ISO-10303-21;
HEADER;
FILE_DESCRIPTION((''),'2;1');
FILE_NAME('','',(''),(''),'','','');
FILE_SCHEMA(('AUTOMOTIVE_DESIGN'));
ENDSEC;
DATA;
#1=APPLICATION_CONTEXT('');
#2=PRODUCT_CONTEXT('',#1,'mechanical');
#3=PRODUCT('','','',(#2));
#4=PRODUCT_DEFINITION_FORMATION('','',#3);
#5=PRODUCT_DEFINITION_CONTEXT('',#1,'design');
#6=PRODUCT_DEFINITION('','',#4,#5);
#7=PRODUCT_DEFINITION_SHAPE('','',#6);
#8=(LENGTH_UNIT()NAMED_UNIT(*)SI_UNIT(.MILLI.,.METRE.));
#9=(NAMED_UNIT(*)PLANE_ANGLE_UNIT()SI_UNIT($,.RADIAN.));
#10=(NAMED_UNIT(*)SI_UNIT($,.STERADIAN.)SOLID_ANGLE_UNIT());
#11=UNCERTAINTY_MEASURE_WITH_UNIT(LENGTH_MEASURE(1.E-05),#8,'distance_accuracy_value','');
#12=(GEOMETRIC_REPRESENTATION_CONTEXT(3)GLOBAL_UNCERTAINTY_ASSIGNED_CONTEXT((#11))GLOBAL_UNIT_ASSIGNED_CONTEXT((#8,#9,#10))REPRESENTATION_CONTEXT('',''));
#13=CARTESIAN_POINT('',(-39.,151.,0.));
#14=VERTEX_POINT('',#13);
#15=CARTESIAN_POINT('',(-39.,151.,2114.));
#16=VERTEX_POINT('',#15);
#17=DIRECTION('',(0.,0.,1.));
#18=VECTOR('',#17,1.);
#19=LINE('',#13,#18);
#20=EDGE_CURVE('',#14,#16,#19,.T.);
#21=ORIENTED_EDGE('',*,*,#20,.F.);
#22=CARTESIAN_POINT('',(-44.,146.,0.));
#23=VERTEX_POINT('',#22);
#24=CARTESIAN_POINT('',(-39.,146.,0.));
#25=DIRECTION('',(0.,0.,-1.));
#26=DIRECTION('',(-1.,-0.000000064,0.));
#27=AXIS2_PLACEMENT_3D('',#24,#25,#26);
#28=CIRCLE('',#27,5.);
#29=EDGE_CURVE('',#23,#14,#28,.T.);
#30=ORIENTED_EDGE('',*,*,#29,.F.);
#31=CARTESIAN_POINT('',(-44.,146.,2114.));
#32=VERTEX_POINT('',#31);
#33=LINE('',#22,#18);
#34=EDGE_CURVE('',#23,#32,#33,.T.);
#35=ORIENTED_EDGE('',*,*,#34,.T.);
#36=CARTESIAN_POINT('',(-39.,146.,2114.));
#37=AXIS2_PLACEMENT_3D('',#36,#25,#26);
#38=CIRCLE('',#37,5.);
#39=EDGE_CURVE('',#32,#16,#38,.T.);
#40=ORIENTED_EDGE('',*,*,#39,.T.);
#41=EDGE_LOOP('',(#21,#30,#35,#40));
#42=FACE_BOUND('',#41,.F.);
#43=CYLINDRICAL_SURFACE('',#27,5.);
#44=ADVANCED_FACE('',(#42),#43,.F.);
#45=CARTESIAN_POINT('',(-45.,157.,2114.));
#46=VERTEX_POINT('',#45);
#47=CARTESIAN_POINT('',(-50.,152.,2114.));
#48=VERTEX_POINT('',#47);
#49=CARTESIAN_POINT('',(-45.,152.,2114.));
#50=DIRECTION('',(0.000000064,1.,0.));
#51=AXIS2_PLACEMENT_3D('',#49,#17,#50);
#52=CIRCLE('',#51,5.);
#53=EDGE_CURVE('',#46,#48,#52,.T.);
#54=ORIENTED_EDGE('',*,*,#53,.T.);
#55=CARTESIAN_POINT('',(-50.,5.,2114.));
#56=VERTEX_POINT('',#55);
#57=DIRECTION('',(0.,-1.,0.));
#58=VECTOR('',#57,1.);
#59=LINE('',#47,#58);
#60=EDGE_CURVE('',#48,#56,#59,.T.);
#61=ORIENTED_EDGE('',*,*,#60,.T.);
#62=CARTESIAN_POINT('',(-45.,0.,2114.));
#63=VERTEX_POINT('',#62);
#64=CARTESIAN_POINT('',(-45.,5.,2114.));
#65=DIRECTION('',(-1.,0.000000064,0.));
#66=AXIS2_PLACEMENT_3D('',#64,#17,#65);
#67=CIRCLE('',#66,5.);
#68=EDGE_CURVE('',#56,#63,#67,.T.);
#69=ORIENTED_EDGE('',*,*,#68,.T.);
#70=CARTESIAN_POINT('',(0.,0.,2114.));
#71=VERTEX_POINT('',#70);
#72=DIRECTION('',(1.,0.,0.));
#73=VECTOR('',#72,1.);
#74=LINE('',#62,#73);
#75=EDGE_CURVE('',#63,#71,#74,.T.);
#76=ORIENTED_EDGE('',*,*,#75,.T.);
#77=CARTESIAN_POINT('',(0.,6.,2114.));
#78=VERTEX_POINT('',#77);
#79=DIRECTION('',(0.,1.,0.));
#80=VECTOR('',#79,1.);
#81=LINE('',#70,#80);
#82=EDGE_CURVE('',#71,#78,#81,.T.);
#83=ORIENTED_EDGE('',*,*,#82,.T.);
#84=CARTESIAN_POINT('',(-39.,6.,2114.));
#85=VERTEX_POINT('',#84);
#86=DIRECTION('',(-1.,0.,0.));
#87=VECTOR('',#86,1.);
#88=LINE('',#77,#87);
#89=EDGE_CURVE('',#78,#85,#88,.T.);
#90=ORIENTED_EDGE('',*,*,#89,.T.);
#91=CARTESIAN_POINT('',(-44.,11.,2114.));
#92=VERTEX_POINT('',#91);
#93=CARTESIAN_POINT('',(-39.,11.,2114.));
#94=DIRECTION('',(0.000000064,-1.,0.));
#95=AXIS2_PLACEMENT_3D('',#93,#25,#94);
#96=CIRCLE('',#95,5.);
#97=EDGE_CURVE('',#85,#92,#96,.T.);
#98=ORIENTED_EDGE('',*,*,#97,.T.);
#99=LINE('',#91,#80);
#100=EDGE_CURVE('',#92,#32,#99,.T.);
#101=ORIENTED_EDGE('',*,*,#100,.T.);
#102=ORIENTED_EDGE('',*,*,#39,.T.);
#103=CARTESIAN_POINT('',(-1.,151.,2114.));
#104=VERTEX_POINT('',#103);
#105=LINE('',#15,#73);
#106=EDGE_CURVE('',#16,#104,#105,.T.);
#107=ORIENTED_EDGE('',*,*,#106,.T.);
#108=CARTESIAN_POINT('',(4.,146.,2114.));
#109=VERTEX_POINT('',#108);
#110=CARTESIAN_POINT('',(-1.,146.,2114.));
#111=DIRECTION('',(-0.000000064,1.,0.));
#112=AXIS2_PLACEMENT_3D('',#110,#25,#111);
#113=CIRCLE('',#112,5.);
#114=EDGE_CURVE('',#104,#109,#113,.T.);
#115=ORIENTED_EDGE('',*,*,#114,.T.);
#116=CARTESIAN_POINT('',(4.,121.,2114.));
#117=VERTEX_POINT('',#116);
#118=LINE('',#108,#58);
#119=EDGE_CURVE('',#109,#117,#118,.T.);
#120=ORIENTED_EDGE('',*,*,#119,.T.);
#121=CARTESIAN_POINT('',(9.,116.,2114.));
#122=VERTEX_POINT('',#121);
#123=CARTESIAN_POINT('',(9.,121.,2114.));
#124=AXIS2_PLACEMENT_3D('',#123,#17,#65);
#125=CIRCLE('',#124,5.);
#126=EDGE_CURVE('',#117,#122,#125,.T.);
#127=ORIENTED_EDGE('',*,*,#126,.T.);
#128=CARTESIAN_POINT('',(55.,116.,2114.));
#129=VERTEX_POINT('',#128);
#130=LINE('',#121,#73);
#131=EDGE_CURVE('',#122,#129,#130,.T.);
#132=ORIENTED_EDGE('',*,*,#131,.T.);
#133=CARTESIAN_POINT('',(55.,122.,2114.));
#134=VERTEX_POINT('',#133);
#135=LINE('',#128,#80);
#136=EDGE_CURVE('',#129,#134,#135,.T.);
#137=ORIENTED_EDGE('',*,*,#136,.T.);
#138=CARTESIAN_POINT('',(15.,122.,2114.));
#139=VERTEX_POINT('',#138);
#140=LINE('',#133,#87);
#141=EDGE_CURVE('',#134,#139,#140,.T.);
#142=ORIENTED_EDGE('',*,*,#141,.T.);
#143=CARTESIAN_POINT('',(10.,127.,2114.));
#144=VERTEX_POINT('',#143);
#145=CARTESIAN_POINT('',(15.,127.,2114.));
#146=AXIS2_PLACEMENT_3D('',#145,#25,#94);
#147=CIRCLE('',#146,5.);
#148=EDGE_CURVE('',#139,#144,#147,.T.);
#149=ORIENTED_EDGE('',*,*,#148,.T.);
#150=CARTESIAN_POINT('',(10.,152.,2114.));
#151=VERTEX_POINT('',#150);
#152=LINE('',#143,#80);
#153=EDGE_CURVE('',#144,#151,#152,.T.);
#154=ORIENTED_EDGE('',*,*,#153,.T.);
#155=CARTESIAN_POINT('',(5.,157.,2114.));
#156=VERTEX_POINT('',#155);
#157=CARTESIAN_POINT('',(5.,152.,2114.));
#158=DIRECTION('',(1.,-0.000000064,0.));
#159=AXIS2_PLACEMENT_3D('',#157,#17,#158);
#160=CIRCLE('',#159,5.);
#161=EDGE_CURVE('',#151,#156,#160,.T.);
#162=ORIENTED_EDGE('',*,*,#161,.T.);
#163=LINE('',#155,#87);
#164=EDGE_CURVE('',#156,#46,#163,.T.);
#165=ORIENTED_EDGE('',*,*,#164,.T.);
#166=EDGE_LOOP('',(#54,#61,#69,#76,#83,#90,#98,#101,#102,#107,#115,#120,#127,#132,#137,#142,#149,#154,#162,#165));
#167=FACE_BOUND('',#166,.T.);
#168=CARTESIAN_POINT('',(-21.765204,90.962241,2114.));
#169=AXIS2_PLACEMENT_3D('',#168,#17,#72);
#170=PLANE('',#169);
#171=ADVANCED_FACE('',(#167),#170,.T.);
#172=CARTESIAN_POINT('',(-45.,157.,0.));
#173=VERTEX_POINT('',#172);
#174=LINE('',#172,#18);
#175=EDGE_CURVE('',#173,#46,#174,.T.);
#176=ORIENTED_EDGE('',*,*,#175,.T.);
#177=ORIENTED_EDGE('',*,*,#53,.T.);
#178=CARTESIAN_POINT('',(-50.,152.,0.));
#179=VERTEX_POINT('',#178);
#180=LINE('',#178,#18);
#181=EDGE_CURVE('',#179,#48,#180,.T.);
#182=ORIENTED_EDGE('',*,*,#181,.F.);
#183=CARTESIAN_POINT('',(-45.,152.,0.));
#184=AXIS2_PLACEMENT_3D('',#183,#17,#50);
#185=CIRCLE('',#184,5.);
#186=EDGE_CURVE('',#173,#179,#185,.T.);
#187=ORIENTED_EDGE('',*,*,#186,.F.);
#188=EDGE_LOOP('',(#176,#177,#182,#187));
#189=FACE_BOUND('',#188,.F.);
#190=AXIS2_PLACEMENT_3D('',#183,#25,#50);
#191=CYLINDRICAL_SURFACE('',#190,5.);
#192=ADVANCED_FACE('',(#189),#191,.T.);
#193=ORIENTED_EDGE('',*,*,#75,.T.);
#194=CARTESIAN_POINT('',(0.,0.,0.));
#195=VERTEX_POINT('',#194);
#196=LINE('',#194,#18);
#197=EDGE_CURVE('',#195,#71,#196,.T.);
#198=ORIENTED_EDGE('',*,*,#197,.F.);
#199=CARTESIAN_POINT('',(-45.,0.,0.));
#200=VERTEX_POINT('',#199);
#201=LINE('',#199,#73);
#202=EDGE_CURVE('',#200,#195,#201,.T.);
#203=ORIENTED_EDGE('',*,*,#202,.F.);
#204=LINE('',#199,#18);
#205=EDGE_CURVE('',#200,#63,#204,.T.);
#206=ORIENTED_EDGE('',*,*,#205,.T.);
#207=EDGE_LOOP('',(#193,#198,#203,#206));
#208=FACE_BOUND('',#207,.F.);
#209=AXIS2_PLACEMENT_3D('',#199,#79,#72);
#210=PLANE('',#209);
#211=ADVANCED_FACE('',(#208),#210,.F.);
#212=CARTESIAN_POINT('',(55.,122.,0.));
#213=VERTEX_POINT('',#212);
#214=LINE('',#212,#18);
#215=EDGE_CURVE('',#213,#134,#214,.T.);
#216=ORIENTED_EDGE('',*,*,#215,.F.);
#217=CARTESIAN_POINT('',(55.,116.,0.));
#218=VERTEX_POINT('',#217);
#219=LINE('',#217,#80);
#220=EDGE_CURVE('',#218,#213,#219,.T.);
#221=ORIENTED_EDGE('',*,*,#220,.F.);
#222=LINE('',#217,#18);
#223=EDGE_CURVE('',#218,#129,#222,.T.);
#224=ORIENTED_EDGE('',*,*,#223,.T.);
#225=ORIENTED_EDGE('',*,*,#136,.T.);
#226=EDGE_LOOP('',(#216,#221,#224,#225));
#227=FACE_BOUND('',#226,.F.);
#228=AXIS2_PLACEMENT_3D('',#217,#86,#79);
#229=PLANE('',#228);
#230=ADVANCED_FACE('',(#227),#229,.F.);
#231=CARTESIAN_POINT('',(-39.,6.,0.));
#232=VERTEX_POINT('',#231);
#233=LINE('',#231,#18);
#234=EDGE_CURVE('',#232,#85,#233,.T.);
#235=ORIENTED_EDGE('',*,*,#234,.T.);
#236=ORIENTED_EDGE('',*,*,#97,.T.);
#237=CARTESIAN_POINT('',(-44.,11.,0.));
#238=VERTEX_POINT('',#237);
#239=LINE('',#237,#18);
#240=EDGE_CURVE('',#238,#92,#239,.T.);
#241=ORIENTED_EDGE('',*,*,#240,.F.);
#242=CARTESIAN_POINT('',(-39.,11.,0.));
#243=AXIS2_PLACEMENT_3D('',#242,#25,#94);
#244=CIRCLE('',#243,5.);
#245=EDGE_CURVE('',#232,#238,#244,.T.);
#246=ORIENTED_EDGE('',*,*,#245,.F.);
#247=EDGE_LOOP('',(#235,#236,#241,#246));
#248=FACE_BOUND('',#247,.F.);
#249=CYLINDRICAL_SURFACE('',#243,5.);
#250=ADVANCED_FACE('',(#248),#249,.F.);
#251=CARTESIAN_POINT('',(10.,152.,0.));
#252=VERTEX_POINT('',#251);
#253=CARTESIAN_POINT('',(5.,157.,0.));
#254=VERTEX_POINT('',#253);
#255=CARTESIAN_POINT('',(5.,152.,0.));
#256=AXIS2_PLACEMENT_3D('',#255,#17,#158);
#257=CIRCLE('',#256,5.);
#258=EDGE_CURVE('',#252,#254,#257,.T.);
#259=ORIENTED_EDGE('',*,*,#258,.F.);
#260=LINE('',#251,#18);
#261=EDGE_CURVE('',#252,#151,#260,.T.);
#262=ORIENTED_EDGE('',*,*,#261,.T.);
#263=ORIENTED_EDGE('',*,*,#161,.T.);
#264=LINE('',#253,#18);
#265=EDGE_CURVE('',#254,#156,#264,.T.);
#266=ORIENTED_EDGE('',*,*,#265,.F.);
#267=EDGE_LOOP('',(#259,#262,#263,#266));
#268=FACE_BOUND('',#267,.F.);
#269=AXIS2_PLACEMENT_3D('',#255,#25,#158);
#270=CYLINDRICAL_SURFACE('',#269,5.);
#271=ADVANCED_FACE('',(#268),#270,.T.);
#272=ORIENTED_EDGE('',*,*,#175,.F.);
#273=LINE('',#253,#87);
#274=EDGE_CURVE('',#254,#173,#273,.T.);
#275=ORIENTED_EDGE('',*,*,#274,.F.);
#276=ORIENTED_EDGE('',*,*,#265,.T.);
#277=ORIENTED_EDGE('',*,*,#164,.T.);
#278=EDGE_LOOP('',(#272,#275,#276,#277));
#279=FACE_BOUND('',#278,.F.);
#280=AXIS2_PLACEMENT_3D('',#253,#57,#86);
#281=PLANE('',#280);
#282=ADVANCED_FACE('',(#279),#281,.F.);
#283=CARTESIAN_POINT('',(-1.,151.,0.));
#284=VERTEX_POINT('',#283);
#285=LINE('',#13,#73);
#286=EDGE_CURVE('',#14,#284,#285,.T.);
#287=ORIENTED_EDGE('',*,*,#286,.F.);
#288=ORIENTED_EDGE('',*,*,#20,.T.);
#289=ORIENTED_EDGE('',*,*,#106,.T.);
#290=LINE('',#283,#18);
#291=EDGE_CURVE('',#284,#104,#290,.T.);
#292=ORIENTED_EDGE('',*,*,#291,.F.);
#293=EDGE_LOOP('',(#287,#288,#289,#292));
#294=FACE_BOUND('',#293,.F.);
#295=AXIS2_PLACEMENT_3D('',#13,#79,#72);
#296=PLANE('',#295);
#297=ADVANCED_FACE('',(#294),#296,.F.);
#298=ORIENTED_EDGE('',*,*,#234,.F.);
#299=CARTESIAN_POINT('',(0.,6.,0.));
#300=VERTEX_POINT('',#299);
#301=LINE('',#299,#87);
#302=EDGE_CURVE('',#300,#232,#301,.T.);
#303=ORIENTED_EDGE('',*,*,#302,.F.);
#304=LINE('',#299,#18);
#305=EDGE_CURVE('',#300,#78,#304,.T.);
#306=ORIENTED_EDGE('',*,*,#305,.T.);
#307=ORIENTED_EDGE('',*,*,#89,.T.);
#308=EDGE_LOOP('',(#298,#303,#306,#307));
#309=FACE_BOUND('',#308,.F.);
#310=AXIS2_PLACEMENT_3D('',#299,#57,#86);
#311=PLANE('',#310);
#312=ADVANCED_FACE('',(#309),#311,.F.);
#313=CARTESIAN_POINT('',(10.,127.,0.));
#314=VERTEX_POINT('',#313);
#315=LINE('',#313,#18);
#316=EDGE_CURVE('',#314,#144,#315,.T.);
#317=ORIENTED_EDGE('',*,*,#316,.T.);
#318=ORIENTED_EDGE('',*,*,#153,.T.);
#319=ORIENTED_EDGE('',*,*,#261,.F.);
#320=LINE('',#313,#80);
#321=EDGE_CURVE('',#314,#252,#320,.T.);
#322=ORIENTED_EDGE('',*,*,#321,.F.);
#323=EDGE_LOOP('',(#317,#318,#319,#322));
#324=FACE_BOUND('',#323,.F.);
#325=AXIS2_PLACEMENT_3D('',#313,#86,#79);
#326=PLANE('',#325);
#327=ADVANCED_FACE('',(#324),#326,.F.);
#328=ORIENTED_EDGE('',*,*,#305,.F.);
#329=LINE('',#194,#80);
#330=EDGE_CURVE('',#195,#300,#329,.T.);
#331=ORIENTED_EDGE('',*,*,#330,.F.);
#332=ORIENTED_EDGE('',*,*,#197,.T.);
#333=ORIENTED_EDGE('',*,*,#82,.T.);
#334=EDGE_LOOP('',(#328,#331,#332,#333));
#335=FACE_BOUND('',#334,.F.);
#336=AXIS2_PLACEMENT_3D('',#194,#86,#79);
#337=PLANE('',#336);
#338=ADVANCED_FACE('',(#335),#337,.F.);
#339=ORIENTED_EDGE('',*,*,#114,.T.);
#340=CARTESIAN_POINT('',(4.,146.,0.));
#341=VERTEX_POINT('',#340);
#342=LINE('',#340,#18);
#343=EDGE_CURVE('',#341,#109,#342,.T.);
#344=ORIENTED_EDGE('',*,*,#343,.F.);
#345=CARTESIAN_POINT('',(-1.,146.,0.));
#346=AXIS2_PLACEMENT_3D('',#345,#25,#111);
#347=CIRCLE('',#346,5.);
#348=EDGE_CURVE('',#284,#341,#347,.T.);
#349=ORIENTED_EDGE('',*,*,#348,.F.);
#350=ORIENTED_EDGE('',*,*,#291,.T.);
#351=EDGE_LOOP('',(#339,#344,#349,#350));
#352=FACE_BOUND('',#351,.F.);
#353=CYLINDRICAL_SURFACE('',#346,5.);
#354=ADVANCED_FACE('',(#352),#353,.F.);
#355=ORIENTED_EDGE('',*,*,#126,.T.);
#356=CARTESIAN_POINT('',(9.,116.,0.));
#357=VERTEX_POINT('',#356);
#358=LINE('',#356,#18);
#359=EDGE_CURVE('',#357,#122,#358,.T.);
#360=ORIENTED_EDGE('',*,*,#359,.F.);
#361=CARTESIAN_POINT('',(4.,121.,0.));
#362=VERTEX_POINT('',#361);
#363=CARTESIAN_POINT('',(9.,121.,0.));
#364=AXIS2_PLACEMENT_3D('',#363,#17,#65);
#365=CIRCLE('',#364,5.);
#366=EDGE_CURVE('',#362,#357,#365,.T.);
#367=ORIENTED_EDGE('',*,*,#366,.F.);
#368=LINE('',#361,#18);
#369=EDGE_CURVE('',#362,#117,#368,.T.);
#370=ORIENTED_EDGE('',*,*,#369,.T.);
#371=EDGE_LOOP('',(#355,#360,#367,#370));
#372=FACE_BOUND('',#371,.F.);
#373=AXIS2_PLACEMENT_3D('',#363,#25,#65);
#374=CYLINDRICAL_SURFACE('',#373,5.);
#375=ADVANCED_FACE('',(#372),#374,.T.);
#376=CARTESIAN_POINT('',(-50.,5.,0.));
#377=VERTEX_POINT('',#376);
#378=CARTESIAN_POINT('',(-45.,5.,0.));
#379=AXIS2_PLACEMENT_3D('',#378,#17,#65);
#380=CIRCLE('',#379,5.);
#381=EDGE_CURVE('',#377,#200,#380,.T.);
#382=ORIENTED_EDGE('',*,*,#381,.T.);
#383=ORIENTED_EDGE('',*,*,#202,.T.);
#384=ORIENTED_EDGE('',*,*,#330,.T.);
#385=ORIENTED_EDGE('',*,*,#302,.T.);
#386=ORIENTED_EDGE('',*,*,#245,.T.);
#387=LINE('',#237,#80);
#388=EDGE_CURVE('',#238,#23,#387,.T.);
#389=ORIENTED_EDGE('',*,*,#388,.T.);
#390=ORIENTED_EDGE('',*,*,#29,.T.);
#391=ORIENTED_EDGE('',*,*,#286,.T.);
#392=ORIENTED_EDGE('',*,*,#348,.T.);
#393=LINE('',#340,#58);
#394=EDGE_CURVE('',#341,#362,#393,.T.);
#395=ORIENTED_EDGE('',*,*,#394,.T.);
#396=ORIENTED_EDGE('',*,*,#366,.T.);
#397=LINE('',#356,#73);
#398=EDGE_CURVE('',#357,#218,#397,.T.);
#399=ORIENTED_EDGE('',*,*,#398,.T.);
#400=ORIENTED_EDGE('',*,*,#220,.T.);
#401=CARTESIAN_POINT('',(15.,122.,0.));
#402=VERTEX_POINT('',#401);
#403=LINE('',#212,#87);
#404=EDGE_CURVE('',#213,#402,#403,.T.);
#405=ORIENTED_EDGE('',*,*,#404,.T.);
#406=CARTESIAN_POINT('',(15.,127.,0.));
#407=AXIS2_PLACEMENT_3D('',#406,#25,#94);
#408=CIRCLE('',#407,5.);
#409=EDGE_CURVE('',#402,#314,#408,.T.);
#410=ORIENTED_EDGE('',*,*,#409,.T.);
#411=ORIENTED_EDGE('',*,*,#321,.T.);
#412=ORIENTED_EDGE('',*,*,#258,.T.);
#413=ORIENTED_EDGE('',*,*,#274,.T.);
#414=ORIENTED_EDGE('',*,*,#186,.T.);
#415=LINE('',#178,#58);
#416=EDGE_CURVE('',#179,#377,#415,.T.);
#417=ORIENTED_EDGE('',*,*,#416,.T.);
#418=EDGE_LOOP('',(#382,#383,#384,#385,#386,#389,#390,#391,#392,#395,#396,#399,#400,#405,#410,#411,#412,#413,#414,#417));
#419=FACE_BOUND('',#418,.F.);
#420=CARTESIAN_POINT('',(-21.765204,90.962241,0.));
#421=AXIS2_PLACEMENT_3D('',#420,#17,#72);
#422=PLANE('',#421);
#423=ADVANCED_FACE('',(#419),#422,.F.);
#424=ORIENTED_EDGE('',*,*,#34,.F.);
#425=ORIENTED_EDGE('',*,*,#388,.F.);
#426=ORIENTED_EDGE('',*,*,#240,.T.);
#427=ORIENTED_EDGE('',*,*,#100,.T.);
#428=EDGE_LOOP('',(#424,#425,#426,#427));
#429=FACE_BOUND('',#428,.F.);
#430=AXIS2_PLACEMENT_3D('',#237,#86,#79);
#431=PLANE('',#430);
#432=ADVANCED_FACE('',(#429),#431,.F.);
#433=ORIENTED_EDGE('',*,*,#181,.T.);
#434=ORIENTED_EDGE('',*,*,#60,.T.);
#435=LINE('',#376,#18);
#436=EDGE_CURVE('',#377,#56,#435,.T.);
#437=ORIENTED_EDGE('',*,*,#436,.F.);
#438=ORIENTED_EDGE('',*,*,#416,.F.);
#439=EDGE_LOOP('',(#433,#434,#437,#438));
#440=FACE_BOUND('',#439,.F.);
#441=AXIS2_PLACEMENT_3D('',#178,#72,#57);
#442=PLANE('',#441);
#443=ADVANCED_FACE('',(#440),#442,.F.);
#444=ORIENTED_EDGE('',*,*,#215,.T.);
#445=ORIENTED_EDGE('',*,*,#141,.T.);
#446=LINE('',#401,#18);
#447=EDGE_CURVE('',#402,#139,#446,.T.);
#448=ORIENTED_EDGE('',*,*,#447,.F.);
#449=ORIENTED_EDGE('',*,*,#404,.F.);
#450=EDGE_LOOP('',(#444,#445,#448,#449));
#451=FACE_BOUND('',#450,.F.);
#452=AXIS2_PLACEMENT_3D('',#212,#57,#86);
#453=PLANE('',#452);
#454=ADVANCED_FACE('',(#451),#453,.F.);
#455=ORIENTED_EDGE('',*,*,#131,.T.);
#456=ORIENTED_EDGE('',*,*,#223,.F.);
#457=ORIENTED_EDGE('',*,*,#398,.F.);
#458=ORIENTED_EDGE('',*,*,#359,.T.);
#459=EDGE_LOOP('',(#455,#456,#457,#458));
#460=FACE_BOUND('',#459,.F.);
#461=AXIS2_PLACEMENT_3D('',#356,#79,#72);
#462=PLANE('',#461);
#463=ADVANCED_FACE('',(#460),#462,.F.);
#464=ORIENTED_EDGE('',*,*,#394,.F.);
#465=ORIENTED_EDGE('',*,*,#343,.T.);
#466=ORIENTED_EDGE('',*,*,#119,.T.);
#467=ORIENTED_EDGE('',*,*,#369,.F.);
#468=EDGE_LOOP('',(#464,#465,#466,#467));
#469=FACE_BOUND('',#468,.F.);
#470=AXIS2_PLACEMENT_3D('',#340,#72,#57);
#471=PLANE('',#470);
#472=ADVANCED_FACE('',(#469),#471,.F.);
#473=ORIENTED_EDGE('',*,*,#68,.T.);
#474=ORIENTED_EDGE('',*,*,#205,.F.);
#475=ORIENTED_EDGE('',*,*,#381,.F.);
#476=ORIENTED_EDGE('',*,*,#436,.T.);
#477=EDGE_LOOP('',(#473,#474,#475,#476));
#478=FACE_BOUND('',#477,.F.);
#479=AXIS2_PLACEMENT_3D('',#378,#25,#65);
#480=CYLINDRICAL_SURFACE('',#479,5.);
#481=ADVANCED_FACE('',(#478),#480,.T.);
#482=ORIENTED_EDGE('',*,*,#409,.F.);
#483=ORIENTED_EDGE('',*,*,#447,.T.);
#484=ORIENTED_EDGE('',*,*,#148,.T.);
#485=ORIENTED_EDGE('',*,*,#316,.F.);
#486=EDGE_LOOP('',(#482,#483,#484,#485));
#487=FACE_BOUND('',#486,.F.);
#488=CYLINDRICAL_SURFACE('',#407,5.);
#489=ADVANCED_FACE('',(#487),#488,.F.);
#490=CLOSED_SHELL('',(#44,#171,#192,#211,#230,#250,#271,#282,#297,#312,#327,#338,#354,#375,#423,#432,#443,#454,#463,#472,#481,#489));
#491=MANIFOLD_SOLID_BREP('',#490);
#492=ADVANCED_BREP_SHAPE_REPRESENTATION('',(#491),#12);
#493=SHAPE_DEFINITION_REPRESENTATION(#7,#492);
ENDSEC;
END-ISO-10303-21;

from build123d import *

# Parameters (mm, degrees)
F1_DEPTH = 2114


with BuildPart() as f1:
    # F0 (on Top) → F1 (new body)
    with BuildSketch(Plane.XY):
        with BuildLine():
            Line((-45, 0), (0, 0))
            Line((0, 0), (0, 6))
            Line((0, 6), (-39, 6))
            ThreePointArc((-39, 6), (-42.535534, 7.464466), (-44, 11))
            Line((-44, 11), (-44, 146))
            ThreePointArc((-44, 146), (-42.535534, 149.535534), (-39, 151))
            Line((-39, 151), (-1, 151))
            ThreePointArc((-1, 151), (2.535534, 149.535534), (4, 146))
            Line((4, 146), (4, 121))
            ThreePointArc((4, 121), (5.464466, 117.464466), (9, 116))
            Line((9, 116), (55, 116))
            Line((55, 116), (55, 122))
            Line((55, 122), (15, 122))
            ThreePointArc((15, 122), (11.464466, 123.464466), (10, 127))
            Line((10, 127), (10, 152))
            ThreePointArc((10, 152), (8.535534, 155.535534), (5, 157))
            Line((5, 157), (-45, 157))
            ThreePointArc((-45, 157), (-48.535534, 155.535534), (-50, 152))
            Line((-50, 152), (-50, 5))
            ThreePointArc((-50, 5), (-48.535534, 1.464466), (-45, 0))
        make_face()
    extrude(amount=F1_DEPTH)


solid = f1.part
